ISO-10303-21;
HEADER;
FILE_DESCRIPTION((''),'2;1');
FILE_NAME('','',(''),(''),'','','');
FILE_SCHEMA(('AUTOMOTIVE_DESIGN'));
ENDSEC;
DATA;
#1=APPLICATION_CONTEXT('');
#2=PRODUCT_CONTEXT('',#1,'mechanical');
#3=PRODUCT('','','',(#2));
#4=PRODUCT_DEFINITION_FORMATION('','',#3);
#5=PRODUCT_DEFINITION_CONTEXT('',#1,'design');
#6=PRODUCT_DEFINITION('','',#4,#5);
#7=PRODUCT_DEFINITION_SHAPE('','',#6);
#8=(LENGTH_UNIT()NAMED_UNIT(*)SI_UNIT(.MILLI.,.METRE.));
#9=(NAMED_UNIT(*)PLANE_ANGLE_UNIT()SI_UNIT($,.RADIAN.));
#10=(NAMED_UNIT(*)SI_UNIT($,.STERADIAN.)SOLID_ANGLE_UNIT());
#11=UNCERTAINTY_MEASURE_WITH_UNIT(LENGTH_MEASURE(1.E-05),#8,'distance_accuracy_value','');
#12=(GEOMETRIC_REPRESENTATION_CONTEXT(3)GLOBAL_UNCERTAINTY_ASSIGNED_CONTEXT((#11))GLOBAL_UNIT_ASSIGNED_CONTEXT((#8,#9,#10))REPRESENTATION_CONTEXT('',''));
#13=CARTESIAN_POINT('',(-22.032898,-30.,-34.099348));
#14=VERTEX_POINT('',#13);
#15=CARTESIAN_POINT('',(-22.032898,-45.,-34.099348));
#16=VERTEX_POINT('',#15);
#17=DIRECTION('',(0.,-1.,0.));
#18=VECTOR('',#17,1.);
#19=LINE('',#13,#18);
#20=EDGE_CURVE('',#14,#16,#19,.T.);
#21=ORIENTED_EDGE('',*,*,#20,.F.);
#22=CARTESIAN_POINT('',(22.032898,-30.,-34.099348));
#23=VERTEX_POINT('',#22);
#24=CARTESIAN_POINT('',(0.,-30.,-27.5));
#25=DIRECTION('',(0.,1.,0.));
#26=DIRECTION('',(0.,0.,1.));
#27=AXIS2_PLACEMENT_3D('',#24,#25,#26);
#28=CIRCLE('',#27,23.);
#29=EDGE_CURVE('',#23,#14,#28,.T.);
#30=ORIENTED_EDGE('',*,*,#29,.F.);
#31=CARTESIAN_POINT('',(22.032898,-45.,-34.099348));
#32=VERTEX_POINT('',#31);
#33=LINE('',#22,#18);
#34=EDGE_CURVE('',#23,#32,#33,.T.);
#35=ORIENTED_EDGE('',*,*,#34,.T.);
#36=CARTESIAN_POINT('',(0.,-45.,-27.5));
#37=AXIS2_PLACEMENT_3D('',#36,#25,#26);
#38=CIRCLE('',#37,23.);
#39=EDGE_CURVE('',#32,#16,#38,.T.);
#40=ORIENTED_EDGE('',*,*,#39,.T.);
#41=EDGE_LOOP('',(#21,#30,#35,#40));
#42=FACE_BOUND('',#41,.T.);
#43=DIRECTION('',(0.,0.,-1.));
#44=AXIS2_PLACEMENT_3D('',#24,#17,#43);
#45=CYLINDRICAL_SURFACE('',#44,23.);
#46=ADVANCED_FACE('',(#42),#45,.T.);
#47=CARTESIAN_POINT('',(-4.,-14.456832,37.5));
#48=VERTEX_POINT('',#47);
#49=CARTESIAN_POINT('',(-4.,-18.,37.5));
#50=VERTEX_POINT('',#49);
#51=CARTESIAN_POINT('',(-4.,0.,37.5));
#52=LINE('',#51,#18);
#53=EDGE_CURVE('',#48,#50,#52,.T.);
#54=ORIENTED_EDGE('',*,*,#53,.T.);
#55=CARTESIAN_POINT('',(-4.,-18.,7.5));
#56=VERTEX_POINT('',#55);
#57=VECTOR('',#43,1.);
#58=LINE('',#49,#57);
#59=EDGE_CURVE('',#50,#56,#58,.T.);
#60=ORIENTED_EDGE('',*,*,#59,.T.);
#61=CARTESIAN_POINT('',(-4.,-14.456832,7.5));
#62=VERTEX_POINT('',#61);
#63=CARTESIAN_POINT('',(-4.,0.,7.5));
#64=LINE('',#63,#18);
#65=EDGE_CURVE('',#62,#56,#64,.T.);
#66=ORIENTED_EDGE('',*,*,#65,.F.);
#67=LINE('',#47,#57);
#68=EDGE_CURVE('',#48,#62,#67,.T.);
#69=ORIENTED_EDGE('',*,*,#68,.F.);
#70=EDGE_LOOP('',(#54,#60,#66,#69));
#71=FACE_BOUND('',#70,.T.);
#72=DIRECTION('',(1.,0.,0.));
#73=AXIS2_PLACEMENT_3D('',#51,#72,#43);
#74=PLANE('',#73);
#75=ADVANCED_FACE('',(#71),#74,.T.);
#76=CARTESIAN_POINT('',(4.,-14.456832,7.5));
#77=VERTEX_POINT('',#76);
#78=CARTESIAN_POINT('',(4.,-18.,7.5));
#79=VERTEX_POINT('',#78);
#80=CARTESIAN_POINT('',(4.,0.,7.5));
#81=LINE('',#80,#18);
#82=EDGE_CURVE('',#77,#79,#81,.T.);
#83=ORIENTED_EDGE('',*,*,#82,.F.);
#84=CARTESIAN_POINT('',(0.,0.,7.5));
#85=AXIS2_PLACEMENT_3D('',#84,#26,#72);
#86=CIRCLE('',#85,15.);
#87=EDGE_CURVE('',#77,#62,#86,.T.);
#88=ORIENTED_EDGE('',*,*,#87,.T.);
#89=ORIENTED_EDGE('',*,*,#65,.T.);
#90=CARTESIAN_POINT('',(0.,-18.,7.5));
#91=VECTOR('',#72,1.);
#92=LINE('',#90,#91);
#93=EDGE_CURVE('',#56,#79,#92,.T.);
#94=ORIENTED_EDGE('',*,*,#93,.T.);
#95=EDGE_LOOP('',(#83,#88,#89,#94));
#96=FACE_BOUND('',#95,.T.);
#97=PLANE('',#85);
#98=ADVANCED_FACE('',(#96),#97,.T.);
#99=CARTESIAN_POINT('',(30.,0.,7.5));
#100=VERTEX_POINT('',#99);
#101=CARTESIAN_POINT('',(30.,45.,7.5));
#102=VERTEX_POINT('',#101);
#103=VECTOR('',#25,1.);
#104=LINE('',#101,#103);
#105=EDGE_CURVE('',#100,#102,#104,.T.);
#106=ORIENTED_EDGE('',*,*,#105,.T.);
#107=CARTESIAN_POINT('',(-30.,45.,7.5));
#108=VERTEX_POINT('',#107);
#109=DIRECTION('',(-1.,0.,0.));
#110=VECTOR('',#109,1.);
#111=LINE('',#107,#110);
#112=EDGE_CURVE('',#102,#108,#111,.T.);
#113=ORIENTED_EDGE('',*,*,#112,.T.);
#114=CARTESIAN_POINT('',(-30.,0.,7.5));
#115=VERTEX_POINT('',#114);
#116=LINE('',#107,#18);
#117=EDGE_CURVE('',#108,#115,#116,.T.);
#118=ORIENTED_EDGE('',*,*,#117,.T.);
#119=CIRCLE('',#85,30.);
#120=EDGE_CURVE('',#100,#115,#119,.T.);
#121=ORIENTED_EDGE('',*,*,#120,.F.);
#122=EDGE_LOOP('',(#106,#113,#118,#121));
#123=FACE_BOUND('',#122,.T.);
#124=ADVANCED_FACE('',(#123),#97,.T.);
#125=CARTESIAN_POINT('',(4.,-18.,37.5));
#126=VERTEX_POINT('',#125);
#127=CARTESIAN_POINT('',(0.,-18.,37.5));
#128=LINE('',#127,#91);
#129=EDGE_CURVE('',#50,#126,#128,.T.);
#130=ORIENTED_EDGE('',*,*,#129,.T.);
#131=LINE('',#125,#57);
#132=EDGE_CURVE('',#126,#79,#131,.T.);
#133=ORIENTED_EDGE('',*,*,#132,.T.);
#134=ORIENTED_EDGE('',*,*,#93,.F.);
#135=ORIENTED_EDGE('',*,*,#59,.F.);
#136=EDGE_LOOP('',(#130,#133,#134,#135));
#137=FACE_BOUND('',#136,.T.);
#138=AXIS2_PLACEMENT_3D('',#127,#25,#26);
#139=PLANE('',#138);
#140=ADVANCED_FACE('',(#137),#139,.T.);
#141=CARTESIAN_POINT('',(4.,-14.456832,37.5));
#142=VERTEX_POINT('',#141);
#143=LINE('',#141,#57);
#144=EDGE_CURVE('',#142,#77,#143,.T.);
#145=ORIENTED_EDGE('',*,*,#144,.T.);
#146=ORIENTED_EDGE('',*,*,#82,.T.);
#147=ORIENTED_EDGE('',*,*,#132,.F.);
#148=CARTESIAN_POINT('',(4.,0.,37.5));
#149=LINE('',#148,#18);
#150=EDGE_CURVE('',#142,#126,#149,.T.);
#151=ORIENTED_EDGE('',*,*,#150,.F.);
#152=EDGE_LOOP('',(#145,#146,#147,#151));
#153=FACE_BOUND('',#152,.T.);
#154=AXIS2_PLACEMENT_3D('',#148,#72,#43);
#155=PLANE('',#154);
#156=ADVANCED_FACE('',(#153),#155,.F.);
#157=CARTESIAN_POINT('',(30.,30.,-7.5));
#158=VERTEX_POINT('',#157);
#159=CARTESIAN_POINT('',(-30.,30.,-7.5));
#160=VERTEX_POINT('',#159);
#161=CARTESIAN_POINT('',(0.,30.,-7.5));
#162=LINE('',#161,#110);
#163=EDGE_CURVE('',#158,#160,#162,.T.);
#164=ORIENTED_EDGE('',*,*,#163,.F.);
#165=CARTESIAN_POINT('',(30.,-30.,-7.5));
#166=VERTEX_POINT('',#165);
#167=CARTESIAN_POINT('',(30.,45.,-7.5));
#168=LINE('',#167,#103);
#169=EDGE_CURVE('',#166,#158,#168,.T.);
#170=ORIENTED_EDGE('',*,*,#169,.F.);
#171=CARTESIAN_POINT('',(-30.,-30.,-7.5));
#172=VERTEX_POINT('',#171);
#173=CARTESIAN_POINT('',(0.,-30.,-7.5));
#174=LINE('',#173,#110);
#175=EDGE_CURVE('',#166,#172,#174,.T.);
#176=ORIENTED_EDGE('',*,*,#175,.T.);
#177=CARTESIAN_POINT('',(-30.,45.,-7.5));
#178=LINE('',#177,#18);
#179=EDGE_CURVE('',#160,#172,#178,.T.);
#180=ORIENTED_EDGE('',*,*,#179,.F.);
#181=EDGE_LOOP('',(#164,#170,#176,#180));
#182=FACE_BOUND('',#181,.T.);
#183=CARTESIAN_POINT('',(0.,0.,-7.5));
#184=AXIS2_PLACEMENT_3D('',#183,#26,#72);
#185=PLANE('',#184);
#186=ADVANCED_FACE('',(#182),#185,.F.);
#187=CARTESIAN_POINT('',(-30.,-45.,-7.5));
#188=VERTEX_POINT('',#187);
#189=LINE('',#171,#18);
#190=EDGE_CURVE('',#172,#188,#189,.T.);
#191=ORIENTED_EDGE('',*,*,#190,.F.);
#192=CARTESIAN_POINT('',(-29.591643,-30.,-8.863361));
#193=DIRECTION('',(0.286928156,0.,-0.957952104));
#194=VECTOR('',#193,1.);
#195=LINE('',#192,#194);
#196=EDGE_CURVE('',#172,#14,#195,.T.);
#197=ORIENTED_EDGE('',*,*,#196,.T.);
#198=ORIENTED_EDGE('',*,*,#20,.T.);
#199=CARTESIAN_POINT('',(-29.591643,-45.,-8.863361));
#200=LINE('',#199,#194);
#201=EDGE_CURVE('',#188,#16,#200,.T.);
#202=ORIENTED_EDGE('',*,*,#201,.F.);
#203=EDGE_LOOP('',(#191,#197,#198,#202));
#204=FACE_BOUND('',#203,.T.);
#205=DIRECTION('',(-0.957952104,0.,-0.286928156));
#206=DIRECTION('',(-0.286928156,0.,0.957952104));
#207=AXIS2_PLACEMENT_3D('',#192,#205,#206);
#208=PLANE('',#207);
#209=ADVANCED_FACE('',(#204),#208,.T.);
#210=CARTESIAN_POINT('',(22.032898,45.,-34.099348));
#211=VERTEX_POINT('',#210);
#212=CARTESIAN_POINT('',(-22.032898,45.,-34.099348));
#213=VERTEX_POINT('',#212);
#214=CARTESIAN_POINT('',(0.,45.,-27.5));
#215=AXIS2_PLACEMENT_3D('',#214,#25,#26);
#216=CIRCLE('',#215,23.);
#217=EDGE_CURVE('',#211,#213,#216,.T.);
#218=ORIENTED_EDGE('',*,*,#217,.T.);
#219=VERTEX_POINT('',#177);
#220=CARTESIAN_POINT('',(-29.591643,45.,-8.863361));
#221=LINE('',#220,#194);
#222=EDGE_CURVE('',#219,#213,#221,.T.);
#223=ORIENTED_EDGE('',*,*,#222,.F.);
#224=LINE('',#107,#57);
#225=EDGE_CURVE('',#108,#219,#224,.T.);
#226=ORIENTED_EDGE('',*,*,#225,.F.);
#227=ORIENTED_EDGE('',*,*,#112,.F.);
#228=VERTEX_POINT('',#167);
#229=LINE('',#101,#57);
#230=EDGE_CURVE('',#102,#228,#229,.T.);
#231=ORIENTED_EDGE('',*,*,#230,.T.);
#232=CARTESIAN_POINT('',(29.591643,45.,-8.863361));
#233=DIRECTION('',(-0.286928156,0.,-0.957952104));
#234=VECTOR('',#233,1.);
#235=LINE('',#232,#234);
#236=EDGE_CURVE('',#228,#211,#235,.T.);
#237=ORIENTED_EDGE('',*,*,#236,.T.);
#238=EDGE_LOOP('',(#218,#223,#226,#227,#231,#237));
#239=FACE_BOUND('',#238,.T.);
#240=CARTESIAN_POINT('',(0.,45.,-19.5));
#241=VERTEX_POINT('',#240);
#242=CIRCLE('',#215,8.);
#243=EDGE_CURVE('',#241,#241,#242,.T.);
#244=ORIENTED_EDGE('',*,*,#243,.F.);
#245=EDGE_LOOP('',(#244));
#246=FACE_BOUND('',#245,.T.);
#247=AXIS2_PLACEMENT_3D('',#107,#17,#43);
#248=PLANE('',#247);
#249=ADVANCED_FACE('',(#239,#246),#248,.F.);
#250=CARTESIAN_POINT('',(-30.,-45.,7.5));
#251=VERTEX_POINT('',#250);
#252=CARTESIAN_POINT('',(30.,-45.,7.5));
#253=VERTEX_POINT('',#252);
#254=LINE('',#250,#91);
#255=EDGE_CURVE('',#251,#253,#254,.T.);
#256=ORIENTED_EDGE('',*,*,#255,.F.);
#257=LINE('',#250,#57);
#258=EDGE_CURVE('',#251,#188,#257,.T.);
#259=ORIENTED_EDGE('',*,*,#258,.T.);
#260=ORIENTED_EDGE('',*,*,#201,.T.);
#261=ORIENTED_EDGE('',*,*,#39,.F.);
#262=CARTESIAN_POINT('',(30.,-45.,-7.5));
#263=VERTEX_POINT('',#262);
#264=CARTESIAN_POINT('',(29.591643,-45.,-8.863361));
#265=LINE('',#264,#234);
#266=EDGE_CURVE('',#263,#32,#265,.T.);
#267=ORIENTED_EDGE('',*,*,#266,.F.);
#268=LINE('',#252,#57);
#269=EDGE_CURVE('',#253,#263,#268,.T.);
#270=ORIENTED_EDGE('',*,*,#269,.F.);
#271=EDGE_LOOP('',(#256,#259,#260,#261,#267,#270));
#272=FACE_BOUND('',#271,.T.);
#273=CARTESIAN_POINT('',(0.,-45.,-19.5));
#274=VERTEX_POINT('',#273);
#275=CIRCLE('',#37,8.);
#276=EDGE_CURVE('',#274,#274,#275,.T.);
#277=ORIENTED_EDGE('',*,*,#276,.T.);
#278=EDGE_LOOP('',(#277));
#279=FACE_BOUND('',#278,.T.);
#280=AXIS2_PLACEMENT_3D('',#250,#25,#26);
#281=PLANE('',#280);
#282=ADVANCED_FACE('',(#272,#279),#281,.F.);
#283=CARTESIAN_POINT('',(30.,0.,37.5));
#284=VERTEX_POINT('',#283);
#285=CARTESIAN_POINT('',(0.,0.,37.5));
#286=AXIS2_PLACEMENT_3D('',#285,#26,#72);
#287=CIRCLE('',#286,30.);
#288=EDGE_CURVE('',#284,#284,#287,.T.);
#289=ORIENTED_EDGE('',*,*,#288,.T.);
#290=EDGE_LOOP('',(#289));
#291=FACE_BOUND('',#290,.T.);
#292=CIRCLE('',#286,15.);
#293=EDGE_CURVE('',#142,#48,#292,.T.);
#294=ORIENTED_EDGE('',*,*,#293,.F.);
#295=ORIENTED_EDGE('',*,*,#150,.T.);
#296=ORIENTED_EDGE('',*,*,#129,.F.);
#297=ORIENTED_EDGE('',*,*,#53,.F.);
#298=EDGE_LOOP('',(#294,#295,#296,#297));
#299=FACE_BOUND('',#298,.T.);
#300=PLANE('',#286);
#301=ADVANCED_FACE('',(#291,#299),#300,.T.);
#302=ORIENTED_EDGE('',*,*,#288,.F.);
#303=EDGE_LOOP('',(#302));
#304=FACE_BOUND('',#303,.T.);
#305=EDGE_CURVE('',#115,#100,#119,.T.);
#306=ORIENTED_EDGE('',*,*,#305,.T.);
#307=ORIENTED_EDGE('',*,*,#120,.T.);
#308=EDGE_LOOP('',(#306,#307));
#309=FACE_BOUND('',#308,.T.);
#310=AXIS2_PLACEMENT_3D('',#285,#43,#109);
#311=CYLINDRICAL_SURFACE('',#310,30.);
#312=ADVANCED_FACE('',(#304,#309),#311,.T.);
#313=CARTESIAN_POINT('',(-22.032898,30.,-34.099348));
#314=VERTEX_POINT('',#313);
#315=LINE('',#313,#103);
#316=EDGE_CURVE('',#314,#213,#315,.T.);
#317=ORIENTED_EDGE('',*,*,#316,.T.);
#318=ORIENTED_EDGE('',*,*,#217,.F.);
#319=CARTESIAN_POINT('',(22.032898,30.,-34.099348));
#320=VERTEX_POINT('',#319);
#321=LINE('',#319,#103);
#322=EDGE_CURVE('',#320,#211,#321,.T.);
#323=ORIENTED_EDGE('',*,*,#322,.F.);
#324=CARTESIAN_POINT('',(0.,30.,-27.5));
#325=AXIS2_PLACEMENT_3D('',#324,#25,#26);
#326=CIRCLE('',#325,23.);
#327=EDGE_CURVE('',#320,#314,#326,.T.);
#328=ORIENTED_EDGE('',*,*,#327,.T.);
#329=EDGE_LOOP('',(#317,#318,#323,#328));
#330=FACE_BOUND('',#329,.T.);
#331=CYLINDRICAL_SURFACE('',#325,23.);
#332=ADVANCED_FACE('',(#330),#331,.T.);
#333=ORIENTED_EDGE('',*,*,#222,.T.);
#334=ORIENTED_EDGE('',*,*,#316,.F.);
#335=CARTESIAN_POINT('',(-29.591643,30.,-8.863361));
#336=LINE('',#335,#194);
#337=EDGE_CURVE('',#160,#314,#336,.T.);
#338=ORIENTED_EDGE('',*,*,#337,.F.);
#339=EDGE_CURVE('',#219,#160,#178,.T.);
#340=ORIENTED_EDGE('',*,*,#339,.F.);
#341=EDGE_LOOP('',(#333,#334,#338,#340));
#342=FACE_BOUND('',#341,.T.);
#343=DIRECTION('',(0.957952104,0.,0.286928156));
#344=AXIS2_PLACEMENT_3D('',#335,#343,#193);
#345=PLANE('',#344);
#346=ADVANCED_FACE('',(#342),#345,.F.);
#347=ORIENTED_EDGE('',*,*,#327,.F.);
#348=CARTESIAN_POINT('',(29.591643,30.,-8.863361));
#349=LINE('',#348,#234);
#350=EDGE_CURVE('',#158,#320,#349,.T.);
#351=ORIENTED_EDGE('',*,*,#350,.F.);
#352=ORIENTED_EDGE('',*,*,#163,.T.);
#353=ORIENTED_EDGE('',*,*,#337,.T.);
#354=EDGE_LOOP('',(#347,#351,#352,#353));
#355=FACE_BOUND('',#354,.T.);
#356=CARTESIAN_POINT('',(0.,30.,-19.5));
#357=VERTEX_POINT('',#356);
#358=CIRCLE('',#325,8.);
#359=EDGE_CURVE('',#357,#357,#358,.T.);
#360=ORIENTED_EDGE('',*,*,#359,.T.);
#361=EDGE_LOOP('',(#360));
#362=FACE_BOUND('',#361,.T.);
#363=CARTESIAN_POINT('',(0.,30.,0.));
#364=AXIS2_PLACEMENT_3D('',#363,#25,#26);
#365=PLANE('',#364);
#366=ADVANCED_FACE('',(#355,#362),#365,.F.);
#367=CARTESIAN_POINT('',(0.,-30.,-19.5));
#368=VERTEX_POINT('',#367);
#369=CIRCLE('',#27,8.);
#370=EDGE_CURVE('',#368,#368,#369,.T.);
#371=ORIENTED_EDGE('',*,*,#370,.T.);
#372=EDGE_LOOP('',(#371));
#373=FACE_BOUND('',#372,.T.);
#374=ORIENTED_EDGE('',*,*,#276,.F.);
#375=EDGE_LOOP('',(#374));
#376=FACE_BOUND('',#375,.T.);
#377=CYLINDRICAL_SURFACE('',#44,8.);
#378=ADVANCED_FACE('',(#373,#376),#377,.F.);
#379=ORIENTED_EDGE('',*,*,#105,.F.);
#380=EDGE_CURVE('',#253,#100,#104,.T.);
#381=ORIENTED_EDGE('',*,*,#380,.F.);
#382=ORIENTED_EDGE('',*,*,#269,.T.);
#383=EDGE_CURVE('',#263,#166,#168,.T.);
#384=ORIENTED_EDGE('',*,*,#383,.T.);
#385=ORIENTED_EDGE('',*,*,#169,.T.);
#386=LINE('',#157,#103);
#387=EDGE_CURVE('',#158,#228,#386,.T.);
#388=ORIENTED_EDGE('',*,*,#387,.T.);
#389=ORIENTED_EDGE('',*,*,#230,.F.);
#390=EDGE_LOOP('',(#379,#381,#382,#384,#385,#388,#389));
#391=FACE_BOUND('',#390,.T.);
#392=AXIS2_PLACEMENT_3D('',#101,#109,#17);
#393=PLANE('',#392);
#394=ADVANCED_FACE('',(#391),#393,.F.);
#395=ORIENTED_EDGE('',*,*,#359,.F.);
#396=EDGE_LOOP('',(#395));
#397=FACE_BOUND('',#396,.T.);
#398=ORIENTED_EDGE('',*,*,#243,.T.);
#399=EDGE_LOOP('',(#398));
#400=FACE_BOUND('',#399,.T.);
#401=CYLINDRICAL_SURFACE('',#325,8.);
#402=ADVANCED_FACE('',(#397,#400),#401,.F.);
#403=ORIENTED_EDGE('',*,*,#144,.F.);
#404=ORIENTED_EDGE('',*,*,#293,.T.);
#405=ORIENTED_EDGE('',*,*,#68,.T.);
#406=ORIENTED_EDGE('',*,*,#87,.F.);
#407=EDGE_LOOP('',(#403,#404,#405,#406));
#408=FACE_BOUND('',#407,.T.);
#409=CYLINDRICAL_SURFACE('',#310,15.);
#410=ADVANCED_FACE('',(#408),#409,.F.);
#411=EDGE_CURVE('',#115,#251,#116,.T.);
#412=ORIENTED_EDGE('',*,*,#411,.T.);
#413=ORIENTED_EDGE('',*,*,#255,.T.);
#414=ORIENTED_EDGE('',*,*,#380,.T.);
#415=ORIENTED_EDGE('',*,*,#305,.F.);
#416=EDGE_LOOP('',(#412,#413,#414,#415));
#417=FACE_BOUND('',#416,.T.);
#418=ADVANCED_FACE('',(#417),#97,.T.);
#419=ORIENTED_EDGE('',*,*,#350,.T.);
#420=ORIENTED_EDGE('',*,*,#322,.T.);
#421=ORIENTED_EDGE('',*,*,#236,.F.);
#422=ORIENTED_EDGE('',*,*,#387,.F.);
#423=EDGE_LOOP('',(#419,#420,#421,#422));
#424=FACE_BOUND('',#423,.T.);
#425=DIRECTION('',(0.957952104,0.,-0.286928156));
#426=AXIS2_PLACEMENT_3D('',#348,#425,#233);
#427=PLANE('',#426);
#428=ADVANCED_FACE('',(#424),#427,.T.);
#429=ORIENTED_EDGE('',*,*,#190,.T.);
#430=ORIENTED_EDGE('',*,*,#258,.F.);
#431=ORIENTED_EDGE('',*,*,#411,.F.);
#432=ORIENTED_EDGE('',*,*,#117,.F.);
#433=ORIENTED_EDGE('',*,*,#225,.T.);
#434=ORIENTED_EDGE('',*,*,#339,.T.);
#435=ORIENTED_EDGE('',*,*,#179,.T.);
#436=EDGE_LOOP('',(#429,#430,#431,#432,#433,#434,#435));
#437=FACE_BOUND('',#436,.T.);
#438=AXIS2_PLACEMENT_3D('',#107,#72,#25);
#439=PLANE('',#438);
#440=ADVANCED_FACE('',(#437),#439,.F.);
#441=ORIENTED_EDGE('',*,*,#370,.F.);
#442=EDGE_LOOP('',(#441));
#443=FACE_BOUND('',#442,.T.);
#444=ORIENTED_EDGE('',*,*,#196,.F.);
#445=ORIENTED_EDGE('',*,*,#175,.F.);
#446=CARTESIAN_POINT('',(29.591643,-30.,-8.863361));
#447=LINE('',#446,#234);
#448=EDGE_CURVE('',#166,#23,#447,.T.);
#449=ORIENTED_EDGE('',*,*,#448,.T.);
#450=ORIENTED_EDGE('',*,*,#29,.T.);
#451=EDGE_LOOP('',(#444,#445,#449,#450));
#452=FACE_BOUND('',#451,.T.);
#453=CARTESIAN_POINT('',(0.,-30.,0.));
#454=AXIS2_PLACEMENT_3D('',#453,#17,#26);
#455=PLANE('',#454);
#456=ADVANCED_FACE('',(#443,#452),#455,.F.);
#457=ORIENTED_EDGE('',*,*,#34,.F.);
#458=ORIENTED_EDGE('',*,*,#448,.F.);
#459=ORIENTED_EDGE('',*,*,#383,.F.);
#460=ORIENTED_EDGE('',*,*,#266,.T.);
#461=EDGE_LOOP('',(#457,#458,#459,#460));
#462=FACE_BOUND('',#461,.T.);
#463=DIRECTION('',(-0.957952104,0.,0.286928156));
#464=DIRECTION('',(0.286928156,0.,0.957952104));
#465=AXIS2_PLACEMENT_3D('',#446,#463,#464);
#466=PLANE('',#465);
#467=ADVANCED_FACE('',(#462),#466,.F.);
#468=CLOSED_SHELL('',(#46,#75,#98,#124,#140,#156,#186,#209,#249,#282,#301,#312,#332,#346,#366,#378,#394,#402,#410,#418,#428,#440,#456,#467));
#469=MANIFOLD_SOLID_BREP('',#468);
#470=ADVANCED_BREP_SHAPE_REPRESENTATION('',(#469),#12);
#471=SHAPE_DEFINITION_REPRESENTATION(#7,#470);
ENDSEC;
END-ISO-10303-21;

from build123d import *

# Parameters (mm, degrees)
SKETCH1_W           = 60
SKETCH1_H           = 90
BOSS_EXTRUDE1_DEPTH = 7.5
SKETCH2_R           = 30
BOSS_EXTRUDE4_DEPTH = 30
SKETCH3_R           = 8
BOSS_EXTRUDE5_DEPTH = 15


with BuildPart() as part:
    # Sketch1 → Boss-Extrude1 (new body, symmetric)
    with BuildSketch(Plane.XY):
        Rectangle(SKETCH1_W, SKETCH1_H)
    extrude(amount=BOSS_EXTRUDE1_DEPTH, both=True)

    # Sketch2 → Boss-Extrude4 (add)
    with BuildSketch(Plane.XY.offset(7.5)):
        Circle(SKETCH2_R)
        with BuildLine():
            Line((4, -18), (0, -18))
            Line((0, -18), (-4, -18))
            Line((-4, -18), (-4, -15))
            Line((-4, -15), (-4, -14.456832295))
            ThreePointArc((-4, -14.456832295), (-9.082951062, 11.937336386), (15, 0))
            ThreePointArc((15, 0), (11.937336386, -9.082951062), (4, -14.456832295))
            Line((4, -14.456832295), (4, -18))
        make_face(mode=Mode.SUBTRACT)
    extrude(amount=BOSS_EXTRUDE4_DEPTH)

    # Sketch3 → Boss-Extrude5 (add)
    with BuildSketch(Plane(origin=(0, 45, 0), x_dir=(1, 0, 0), z_dir=(0, 1, 0))):
        with BuildLine():
            Line((-22.03289839, 34.099347585), (-30, 7.5))
            Line((-30, 7.5), (-11.357816691, 7.5))
            ThreePointArc((-11.357816691, 7.5), (-21.345170095, 18.933570545), (-22.03289839, 34.099347585))
        make_face()
        with BuildLine():
            Line((30, 7.5), (22.03289839, 34.099347585))
            ThreePointArc((22.03289839, 34.099347585), (22.756940293, 30.834916568), (23, 27.5))
            ThreePointArc((23, 27.5), (19.877497125, 15.929126738), (11.357816692, 7.5))
            Line((11.357816692, 7.5), (30, 7.5))
        make_face()
        with BuildLine():
            ThreePointArc((22.03289839, 34.099347585), (0, 50.5), (-22.03289839, 34.099347585))
            ThreePointArc((-22.03289839, 34.099347585), (-21.345170095, 18.933570545), (-11.357816691, 7.5))
            Line((-11.357816691, 7.5), (11.357816692, 7.5))
            ThreePointArc((11.357816692, 7.5), (19.877497125, 15.929126738), (23, 27.5))
            ThreePointArc((23, 27.5), (22.756940293, 30.834916568), (22.03289839, 34.099347585))
        make_face()
        with Locations((0, 27.5)):
            Circle(SKETCH3_R, mode=Mode.SUBTRACT)
    boss_extrude5 = extrude(amount=-BOSS_EXTRUDE5_DEPTH)

    # Mirror1: Boss-Extrude5 across plane
    add(boss_extrude5.mirror(Plane.ZX))


solid = part.part
